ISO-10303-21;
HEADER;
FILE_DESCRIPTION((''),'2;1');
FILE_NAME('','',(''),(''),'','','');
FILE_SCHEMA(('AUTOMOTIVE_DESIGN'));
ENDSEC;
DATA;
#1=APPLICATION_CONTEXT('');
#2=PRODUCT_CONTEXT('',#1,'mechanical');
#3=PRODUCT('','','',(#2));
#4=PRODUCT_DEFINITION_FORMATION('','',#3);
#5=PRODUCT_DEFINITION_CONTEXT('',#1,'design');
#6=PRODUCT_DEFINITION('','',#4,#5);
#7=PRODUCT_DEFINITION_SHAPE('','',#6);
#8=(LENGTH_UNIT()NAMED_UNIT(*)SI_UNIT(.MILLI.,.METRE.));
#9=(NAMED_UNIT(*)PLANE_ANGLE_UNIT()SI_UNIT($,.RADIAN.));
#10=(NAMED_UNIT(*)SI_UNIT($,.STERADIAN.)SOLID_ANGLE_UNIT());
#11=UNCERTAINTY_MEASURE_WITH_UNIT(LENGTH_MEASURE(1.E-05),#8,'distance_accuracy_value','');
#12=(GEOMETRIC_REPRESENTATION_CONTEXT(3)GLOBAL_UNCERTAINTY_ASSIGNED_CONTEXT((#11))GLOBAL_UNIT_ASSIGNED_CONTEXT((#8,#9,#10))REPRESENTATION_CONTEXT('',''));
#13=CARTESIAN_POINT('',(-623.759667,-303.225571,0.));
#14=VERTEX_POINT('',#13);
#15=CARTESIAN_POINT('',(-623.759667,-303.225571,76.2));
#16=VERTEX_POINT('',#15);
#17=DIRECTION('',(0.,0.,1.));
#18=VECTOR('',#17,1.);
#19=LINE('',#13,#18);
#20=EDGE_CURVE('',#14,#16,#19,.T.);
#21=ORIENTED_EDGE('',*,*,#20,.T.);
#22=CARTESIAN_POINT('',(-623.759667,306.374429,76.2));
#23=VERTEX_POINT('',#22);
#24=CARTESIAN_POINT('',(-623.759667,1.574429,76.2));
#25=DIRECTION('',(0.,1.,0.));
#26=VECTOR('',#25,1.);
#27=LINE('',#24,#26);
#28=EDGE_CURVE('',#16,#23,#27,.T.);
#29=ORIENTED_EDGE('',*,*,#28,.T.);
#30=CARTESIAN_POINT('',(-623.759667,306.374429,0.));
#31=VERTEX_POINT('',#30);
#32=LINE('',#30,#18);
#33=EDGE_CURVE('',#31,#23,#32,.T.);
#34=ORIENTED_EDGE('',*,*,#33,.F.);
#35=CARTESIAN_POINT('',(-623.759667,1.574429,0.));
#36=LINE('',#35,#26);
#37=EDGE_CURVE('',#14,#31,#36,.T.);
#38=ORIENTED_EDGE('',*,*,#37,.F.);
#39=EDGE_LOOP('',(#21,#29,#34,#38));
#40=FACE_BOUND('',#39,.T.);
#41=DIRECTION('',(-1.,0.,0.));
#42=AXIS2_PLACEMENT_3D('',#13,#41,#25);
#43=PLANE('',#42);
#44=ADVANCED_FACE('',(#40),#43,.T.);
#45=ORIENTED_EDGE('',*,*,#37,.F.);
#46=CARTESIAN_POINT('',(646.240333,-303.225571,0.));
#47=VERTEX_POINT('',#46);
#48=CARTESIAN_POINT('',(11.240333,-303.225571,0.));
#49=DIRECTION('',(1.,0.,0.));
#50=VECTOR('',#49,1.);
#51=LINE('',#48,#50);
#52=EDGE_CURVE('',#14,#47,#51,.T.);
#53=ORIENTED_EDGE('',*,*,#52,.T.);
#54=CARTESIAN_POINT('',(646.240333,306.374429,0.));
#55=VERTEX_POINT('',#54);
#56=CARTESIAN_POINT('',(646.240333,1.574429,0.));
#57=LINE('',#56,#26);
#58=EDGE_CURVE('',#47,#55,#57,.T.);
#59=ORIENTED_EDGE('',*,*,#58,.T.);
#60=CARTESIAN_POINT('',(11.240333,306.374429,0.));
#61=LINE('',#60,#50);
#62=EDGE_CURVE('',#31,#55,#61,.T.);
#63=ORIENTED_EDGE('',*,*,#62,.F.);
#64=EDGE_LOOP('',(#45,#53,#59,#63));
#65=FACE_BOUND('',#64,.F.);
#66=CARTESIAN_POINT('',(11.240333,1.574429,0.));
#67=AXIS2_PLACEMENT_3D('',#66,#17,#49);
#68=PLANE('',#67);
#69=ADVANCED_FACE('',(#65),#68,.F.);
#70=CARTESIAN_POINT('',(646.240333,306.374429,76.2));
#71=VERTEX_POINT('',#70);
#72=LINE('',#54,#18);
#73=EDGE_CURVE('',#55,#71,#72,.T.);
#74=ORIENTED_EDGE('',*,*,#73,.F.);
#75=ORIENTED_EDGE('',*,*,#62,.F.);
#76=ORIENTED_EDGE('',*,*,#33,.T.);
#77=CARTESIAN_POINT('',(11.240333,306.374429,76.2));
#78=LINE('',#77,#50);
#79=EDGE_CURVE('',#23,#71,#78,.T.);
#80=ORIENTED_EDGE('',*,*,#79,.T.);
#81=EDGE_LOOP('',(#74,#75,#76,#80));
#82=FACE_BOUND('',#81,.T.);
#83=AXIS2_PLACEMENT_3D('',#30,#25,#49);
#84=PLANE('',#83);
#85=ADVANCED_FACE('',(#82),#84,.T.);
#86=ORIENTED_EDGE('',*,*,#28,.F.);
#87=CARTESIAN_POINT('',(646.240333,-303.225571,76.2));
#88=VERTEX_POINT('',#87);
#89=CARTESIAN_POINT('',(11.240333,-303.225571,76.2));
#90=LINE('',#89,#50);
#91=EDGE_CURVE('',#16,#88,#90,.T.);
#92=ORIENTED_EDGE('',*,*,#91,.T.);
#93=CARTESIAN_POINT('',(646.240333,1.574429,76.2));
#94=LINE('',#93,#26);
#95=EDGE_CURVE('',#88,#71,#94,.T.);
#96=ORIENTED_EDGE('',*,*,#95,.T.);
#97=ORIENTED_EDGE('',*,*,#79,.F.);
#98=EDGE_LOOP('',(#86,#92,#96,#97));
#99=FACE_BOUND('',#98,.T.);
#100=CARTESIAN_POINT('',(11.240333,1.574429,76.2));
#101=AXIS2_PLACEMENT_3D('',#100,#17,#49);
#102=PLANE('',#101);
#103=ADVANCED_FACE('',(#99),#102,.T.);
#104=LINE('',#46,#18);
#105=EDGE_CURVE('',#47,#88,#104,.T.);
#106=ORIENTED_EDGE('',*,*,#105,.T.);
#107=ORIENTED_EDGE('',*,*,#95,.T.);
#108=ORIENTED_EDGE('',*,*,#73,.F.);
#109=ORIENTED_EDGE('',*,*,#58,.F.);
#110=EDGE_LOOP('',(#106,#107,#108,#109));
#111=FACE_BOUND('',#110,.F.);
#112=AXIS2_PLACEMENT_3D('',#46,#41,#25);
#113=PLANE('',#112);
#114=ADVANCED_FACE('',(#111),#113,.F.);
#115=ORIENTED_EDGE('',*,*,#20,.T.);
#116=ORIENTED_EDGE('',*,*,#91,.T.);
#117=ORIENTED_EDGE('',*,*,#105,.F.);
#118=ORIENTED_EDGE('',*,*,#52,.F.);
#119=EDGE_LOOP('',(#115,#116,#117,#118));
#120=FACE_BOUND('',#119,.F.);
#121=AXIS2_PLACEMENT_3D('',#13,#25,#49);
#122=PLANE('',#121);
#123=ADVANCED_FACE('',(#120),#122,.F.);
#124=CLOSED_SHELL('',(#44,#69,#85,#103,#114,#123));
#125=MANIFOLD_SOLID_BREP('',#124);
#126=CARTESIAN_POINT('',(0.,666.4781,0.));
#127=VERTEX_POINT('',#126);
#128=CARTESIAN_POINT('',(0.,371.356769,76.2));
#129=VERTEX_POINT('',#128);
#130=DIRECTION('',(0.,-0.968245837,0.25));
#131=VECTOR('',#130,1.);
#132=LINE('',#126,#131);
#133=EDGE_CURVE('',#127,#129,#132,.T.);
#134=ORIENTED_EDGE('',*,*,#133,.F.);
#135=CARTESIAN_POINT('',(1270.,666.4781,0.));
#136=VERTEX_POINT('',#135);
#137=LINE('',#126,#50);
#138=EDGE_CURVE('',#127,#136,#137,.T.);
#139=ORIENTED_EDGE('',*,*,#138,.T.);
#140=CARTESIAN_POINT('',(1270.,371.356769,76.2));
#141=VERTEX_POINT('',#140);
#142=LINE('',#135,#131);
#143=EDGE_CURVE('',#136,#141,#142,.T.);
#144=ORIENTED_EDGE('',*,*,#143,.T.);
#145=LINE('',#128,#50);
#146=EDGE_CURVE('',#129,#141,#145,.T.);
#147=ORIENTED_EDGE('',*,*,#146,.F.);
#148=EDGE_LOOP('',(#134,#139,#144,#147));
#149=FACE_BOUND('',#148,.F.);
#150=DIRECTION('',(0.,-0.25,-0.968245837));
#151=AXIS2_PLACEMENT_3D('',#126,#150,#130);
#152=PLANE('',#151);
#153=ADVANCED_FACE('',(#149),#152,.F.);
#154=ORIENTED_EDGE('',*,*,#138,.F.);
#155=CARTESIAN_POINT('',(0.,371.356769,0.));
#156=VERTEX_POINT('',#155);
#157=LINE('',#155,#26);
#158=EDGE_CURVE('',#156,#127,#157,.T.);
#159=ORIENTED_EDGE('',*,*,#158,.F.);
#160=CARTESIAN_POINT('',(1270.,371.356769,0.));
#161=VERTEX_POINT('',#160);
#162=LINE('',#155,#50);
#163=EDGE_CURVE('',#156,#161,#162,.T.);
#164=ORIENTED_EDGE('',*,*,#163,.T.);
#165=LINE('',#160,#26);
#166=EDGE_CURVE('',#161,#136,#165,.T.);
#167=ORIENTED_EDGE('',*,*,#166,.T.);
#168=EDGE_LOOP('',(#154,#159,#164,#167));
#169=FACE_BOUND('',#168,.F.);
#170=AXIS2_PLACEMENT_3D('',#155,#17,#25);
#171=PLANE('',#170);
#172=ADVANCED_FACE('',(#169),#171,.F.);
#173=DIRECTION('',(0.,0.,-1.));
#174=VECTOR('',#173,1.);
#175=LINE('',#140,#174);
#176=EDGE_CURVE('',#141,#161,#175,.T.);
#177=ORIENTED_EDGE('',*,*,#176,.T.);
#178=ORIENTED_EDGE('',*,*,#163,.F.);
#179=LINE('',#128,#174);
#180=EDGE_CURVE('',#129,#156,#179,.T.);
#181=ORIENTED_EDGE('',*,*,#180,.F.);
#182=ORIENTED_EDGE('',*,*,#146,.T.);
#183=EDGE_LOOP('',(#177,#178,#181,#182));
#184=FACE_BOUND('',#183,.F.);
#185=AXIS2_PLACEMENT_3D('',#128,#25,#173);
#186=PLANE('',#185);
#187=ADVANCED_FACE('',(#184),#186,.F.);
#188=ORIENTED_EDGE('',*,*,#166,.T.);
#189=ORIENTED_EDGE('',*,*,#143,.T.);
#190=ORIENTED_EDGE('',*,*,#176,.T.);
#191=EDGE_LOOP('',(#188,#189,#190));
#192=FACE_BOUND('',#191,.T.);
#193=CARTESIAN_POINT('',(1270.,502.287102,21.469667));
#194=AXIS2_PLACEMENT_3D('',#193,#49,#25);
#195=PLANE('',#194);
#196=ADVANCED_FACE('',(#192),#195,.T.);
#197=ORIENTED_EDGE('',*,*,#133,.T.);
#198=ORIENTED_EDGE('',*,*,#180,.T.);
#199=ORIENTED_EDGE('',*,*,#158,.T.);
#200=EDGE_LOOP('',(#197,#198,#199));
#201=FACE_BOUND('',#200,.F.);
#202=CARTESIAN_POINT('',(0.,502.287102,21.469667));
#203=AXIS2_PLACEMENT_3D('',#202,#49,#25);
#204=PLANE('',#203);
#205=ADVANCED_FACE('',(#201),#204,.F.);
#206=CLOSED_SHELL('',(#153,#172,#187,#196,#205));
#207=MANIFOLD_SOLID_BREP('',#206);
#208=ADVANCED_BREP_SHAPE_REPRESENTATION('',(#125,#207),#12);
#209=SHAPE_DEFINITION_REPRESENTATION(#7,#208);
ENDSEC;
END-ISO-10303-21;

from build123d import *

# Parameters (mm, degrees)
F0_W     = 1270
F0_H     = 609.6
F1_DEPTH = 76.2
F3_DEPTH = 1270


with BuildPart() as f1:
    # F0 (on Top) → F1 (new body)
    with BuildSketch(Plane.XY):
        with Locations((11.240333, 1.574429)):
            Rectangle(F0_W, F0_H)
    extrude(amount=F1_DEPTH)


with BuildPart() as f3:
    # F2 (on Right) → F3 (new body)
    with BuildSketch(Plane.YZ):
        Polygon((371.356769, 76.2), (371.356769, 0), (666.4781, 0), align=None)
    extrude(amount=F3_DEPTH)


solid = Compound([f1.part, f3.part])
